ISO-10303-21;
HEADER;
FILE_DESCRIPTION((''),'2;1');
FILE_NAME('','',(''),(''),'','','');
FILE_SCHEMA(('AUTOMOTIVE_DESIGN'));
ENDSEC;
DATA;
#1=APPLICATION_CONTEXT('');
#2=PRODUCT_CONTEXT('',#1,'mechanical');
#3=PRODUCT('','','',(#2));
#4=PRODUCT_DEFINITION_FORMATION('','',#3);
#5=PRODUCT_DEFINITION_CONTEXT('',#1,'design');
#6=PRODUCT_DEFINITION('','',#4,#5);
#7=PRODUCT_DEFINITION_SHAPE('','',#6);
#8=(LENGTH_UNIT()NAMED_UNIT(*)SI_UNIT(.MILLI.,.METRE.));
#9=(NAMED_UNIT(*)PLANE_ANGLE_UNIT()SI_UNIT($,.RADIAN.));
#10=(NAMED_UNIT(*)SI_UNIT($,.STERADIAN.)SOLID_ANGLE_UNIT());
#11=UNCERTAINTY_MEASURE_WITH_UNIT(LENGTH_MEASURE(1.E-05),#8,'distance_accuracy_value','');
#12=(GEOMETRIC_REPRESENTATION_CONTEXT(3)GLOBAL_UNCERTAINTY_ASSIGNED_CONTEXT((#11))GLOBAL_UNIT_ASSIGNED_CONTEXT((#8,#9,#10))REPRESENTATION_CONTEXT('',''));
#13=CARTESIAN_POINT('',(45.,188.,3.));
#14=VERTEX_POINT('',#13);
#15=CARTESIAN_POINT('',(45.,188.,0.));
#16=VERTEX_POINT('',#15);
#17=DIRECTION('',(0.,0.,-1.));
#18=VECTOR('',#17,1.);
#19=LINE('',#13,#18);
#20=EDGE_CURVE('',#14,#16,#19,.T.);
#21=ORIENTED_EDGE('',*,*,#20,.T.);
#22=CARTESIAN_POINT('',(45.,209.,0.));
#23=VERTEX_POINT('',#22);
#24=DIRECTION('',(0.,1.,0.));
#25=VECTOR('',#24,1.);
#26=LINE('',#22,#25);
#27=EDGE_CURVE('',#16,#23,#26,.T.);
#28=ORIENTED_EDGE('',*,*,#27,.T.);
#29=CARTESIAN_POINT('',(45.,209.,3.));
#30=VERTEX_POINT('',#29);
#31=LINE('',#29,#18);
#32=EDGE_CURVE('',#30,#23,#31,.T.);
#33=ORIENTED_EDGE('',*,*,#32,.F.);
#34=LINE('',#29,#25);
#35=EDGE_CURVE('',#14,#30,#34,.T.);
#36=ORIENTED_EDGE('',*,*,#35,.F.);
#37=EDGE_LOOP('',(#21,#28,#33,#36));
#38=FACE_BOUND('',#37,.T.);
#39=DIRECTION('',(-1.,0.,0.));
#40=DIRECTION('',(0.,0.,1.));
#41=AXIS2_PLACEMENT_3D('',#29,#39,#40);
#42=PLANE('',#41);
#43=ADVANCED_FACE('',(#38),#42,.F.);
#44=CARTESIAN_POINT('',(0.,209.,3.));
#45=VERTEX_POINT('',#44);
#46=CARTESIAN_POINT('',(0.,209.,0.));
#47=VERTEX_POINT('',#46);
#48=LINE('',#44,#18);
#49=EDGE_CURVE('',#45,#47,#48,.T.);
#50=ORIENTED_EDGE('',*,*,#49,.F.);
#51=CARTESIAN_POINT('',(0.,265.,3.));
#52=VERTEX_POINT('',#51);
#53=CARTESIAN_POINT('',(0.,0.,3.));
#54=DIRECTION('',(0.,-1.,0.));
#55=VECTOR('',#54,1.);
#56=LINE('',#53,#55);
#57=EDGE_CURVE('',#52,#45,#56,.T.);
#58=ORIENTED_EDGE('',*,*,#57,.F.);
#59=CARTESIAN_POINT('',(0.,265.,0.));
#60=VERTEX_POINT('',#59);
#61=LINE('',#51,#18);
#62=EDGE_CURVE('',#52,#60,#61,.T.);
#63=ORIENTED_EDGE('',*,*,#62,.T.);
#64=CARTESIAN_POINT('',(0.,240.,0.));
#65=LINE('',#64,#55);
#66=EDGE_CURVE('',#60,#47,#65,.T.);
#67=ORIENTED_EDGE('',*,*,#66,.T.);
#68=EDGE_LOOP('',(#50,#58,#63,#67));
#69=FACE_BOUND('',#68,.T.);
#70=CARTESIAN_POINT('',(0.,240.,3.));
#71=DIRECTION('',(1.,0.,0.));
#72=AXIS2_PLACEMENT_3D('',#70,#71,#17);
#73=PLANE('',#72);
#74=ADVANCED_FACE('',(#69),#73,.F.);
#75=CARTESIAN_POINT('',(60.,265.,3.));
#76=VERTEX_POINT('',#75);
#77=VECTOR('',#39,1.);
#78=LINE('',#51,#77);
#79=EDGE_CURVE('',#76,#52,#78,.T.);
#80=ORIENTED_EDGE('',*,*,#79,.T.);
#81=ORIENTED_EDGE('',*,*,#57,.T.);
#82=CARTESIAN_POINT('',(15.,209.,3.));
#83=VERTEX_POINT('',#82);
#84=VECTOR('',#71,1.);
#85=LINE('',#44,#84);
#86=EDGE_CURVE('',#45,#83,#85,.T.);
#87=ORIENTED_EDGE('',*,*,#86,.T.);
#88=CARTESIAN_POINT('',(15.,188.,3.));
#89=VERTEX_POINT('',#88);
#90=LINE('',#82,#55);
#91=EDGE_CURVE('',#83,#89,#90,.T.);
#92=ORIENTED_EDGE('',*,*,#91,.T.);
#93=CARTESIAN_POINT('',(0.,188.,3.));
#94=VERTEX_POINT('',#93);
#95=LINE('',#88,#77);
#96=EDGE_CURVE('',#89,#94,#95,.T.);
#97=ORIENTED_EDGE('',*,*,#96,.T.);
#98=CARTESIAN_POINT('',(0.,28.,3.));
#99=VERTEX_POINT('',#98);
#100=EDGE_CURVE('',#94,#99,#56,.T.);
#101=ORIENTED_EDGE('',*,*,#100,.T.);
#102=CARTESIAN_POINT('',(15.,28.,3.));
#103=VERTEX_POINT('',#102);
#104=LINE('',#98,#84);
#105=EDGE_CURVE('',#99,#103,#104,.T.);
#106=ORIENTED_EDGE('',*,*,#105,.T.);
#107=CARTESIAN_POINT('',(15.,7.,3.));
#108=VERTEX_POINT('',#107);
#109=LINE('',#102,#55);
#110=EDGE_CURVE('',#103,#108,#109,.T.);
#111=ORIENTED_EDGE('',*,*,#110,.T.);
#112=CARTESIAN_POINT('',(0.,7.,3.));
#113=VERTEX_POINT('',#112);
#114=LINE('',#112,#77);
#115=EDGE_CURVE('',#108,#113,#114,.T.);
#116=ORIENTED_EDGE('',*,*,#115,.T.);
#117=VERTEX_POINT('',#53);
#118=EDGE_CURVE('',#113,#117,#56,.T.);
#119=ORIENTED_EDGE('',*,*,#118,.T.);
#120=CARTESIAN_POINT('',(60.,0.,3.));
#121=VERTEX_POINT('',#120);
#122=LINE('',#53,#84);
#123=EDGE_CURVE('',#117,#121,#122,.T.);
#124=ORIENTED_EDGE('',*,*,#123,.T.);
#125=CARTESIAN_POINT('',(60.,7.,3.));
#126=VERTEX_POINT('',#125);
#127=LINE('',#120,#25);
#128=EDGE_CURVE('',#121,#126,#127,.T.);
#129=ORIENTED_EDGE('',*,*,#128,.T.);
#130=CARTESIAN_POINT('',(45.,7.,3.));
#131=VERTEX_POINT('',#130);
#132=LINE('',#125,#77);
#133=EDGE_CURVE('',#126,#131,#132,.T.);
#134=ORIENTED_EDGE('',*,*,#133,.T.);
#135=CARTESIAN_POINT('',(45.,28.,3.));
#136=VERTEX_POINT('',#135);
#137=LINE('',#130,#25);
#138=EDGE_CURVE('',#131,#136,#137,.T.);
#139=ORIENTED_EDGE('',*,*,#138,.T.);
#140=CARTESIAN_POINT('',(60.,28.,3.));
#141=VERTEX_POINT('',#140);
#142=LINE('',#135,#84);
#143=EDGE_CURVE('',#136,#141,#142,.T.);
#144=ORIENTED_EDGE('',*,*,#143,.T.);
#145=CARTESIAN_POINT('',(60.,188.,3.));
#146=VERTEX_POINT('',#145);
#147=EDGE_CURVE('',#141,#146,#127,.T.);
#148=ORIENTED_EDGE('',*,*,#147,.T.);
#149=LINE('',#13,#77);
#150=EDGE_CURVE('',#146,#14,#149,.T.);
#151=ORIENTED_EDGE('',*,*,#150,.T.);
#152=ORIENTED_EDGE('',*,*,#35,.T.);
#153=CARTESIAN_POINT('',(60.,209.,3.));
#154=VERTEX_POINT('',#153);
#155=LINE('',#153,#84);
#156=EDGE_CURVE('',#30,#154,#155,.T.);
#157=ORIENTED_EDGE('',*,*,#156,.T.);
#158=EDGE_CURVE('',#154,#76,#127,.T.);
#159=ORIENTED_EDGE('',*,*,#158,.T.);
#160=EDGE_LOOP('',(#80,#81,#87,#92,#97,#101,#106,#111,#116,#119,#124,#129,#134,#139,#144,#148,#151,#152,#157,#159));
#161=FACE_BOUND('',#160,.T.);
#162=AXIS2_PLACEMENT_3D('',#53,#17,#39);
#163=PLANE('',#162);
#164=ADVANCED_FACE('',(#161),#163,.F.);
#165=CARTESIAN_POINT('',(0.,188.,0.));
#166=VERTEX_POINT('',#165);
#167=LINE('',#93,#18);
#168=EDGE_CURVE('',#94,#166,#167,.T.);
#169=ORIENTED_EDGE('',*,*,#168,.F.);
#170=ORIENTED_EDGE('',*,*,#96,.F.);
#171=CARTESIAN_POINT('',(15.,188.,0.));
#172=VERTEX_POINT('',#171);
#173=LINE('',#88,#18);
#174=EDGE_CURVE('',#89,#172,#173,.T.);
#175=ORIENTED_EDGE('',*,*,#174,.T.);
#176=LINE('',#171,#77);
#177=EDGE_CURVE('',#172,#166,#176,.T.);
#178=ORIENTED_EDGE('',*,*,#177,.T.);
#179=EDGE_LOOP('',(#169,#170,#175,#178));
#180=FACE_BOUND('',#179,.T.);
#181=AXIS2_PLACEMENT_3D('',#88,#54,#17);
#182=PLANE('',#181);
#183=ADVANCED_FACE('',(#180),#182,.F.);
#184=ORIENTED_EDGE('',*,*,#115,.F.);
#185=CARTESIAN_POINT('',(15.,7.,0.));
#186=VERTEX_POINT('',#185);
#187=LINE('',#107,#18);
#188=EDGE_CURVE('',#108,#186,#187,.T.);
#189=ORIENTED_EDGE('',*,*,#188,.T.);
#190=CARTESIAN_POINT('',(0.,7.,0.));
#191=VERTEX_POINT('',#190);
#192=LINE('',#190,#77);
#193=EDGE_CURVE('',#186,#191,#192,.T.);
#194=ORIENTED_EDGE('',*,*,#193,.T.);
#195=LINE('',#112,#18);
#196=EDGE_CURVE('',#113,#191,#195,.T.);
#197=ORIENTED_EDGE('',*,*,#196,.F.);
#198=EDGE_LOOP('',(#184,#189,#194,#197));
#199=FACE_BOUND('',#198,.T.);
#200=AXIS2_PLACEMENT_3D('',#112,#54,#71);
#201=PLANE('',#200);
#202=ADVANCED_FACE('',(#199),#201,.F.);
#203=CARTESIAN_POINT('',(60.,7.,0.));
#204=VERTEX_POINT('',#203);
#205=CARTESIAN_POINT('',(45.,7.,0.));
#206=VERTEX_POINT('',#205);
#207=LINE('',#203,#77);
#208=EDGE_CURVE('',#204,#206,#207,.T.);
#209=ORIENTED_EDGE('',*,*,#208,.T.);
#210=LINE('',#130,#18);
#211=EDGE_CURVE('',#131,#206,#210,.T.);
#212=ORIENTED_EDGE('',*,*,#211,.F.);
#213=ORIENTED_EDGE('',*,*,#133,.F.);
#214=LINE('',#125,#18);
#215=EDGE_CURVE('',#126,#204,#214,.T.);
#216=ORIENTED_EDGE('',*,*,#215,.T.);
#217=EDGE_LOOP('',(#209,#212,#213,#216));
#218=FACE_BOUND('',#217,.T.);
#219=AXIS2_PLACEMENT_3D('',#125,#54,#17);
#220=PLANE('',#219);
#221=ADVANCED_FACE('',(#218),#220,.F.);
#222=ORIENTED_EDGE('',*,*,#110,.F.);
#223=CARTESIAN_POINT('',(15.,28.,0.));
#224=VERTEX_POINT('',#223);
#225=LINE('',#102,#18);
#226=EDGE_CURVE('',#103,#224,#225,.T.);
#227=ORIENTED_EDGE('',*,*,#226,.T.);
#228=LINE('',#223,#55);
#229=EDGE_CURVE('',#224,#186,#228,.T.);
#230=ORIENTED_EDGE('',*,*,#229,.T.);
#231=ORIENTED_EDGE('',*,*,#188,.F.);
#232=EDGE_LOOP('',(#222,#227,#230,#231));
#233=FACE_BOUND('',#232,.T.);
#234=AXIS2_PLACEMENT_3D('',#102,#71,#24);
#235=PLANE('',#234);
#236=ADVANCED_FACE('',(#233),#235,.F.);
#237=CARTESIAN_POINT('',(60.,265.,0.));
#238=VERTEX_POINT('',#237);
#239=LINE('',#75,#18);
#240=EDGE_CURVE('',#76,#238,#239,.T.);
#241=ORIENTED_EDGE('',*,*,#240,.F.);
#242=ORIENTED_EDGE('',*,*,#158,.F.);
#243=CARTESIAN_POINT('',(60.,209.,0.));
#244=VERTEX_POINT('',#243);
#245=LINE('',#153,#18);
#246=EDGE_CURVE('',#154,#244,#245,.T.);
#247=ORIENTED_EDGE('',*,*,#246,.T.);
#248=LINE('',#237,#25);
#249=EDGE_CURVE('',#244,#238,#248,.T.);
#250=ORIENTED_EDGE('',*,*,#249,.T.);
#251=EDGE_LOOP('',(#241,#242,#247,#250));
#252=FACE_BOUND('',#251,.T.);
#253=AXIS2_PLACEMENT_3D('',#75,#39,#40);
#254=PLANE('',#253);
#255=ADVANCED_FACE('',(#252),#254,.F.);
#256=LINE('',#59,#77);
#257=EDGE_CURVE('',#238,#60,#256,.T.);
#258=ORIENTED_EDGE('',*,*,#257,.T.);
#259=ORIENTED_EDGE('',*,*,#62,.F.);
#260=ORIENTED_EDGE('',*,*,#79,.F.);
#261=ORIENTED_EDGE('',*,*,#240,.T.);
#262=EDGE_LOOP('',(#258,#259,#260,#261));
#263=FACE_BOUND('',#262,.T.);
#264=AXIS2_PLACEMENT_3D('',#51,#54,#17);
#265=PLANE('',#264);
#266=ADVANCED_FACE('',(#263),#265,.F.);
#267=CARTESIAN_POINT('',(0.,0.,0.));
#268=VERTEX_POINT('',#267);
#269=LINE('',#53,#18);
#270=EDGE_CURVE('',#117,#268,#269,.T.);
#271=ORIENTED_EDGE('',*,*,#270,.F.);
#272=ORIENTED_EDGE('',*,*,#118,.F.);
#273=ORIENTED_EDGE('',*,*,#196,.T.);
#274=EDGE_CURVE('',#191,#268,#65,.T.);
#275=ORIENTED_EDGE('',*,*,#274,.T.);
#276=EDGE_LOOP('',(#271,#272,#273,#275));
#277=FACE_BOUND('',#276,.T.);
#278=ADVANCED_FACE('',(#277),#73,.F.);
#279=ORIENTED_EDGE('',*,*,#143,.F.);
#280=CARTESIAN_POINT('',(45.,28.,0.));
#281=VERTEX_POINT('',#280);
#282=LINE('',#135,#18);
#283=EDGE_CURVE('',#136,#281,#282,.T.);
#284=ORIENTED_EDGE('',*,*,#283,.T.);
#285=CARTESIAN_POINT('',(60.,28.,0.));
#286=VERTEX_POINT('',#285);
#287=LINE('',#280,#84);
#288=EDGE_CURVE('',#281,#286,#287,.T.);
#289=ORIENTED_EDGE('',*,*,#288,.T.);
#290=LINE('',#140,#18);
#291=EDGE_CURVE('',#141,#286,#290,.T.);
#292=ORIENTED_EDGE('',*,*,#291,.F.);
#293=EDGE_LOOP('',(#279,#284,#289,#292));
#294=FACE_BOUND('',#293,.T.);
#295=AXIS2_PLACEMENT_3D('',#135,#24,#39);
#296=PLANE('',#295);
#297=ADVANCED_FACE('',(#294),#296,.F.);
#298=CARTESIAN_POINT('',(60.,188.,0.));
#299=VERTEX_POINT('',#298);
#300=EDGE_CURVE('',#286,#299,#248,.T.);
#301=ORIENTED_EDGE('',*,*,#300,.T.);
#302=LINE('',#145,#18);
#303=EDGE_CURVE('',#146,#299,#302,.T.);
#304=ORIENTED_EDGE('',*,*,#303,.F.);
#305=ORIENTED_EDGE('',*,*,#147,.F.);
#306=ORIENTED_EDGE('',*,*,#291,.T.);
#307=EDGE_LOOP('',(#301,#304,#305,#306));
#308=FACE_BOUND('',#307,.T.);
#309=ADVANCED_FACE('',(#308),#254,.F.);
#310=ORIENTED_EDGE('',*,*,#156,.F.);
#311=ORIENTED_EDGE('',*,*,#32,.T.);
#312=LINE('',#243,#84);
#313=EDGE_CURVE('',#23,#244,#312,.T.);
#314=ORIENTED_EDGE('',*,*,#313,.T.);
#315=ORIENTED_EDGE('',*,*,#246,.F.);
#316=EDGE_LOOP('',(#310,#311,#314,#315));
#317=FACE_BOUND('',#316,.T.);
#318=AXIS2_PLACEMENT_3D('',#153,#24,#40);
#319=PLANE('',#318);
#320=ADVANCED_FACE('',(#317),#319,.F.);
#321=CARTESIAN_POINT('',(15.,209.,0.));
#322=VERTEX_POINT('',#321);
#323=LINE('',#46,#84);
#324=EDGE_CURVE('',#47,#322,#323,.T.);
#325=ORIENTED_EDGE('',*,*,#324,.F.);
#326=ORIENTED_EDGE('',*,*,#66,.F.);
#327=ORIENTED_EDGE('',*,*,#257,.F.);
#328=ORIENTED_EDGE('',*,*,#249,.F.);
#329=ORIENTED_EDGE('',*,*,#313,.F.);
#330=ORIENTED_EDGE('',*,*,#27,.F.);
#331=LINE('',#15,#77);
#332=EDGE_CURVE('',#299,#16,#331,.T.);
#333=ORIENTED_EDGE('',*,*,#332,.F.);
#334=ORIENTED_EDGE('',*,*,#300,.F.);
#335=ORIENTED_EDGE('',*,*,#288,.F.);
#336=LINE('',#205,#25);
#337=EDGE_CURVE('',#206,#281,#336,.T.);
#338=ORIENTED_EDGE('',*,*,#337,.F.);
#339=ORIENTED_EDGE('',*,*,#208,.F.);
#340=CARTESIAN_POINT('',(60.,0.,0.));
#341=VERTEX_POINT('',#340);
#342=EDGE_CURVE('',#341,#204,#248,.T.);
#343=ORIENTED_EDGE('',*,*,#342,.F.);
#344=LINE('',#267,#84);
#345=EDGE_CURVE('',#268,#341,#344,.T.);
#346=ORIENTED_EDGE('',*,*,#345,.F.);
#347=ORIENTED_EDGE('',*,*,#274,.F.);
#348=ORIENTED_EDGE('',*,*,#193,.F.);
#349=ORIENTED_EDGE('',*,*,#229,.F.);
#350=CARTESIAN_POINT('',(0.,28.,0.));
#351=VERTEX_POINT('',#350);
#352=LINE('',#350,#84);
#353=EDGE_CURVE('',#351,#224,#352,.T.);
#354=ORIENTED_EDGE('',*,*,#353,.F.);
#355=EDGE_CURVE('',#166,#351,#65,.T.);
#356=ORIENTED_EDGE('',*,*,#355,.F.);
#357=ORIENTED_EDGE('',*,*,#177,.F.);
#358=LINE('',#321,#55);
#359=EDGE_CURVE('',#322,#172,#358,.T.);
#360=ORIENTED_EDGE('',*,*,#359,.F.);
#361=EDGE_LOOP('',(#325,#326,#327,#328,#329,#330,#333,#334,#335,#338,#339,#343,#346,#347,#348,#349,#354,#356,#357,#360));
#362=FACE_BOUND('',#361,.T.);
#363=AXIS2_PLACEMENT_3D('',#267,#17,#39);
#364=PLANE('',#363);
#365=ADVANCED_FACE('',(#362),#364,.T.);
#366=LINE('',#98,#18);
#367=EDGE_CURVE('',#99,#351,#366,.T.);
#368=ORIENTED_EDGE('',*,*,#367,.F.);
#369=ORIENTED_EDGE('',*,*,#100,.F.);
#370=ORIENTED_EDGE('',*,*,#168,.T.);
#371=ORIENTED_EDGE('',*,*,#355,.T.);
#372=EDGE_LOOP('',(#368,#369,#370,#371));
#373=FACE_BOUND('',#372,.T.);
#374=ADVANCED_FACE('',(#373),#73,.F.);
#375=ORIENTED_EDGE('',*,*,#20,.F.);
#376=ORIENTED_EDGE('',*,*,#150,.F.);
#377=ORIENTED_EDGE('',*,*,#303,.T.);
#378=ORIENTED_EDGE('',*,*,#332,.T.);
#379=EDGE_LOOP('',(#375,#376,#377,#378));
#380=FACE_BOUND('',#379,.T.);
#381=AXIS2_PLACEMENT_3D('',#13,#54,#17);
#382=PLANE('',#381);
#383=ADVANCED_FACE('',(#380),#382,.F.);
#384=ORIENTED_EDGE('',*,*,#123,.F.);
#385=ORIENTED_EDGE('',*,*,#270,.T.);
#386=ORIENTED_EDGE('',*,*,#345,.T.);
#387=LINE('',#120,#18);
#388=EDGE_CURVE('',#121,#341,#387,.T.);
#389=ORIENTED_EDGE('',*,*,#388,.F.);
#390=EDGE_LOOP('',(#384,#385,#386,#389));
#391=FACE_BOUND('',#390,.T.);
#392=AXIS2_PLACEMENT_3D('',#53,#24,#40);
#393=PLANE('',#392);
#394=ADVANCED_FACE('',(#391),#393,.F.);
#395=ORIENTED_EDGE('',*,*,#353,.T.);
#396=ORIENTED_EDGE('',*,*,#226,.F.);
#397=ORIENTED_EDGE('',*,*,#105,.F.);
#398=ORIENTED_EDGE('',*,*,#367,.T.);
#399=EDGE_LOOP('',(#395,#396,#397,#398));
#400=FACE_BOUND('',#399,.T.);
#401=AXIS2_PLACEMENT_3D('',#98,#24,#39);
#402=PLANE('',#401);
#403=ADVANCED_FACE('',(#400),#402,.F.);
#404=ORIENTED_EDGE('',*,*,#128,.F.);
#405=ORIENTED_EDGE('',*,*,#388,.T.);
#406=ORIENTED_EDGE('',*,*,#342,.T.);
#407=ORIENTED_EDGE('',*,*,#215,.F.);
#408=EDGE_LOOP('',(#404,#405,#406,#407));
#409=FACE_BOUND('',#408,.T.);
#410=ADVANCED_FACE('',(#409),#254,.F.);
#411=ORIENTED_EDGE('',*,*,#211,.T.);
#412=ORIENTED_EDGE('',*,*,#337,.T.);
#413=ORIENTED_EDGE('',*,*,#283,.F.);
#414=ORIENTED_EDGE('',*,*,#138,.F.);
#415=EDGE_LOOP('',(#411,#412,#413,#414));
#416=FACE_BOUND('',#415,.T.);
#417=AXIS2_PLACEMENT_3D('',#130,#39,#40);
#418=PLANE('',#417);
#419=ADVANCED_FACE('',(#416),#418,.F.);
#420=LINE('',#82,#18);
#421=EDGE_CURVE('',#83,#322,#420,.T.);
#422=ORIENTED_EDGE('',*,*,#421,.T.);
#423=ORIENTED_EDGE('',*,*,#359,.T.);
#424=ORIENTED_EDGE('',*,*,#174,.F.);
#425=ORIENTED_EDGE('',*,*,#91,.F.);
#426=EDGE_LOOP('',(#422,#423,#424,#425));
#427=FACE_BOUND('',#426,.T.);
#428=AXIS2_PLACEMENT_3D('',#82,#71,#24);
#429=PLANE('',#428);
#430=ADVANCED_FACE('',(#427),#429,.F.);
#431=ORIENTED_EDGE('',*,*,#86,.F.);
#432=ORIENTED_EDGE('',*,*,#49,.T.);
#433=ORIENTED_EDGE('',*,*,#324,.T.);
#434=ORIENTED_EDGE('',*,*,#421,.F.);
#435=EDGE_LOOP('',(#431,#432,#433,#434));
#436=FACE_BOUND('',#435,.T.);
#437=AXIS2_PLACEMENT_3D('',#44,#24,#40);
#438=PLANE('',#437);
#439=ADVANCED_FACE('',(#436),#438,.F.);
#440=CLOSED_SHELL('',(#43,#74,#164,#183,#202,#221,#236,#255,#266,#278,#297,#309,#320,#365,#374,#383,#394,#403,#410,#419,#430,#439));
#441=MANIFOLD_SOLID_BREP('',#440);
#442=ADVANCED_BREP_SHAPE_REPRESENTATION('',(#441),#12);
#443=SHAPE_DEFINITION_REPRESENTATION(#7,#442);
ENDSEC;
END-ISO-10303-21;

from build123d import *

# Parameters (mm, degrees)
EXTRUDE_1_DEPTH     = 3
SKETCH_4_W          = 15
SKETCH_4_H          = 21
CUT_EXTRUDE_1_DEPTH = 3


with BuildPart() as part:
    # 草图1 → 凸台-拉伸1 (new body)
    with BuildSketch(Plane.XY):
        Polygon((0, 240), (0, 265), (60, 265), (60, 240), (60, 0), (0, 0), align=None)
    extrude(amount=EXTRUDE_1_DEPTH)

    # 草图4 → 切除-拉伸1 (cut)
    with BuildSketch(Plane(origin=(0, 0, 0), x_dir=(-1, 0, 0), z_dir=(0, 0, -1))):
        with Locations((-52.5, 17.5)):
            Rectangle(SKETCH_4_W, SKETCH_4_H)
        with Locations((-7.5, 17.5)):
            Rectangle(SKETCH_4_W, SKETCH_4_H)
        with Locations((-7.5, 198.5)):
            Rectangle(SKETCH_4_W, SKETCH_4_H)
        with Locations((-52.5, 198.5)):
            Rectangle(SKETCH_4_W, SKETCH_4_H)
    extrude(amount=-CUT_EXTRUDE_1_DEPTH, mode=Mode.SUBTRACT)


solid = part.part
